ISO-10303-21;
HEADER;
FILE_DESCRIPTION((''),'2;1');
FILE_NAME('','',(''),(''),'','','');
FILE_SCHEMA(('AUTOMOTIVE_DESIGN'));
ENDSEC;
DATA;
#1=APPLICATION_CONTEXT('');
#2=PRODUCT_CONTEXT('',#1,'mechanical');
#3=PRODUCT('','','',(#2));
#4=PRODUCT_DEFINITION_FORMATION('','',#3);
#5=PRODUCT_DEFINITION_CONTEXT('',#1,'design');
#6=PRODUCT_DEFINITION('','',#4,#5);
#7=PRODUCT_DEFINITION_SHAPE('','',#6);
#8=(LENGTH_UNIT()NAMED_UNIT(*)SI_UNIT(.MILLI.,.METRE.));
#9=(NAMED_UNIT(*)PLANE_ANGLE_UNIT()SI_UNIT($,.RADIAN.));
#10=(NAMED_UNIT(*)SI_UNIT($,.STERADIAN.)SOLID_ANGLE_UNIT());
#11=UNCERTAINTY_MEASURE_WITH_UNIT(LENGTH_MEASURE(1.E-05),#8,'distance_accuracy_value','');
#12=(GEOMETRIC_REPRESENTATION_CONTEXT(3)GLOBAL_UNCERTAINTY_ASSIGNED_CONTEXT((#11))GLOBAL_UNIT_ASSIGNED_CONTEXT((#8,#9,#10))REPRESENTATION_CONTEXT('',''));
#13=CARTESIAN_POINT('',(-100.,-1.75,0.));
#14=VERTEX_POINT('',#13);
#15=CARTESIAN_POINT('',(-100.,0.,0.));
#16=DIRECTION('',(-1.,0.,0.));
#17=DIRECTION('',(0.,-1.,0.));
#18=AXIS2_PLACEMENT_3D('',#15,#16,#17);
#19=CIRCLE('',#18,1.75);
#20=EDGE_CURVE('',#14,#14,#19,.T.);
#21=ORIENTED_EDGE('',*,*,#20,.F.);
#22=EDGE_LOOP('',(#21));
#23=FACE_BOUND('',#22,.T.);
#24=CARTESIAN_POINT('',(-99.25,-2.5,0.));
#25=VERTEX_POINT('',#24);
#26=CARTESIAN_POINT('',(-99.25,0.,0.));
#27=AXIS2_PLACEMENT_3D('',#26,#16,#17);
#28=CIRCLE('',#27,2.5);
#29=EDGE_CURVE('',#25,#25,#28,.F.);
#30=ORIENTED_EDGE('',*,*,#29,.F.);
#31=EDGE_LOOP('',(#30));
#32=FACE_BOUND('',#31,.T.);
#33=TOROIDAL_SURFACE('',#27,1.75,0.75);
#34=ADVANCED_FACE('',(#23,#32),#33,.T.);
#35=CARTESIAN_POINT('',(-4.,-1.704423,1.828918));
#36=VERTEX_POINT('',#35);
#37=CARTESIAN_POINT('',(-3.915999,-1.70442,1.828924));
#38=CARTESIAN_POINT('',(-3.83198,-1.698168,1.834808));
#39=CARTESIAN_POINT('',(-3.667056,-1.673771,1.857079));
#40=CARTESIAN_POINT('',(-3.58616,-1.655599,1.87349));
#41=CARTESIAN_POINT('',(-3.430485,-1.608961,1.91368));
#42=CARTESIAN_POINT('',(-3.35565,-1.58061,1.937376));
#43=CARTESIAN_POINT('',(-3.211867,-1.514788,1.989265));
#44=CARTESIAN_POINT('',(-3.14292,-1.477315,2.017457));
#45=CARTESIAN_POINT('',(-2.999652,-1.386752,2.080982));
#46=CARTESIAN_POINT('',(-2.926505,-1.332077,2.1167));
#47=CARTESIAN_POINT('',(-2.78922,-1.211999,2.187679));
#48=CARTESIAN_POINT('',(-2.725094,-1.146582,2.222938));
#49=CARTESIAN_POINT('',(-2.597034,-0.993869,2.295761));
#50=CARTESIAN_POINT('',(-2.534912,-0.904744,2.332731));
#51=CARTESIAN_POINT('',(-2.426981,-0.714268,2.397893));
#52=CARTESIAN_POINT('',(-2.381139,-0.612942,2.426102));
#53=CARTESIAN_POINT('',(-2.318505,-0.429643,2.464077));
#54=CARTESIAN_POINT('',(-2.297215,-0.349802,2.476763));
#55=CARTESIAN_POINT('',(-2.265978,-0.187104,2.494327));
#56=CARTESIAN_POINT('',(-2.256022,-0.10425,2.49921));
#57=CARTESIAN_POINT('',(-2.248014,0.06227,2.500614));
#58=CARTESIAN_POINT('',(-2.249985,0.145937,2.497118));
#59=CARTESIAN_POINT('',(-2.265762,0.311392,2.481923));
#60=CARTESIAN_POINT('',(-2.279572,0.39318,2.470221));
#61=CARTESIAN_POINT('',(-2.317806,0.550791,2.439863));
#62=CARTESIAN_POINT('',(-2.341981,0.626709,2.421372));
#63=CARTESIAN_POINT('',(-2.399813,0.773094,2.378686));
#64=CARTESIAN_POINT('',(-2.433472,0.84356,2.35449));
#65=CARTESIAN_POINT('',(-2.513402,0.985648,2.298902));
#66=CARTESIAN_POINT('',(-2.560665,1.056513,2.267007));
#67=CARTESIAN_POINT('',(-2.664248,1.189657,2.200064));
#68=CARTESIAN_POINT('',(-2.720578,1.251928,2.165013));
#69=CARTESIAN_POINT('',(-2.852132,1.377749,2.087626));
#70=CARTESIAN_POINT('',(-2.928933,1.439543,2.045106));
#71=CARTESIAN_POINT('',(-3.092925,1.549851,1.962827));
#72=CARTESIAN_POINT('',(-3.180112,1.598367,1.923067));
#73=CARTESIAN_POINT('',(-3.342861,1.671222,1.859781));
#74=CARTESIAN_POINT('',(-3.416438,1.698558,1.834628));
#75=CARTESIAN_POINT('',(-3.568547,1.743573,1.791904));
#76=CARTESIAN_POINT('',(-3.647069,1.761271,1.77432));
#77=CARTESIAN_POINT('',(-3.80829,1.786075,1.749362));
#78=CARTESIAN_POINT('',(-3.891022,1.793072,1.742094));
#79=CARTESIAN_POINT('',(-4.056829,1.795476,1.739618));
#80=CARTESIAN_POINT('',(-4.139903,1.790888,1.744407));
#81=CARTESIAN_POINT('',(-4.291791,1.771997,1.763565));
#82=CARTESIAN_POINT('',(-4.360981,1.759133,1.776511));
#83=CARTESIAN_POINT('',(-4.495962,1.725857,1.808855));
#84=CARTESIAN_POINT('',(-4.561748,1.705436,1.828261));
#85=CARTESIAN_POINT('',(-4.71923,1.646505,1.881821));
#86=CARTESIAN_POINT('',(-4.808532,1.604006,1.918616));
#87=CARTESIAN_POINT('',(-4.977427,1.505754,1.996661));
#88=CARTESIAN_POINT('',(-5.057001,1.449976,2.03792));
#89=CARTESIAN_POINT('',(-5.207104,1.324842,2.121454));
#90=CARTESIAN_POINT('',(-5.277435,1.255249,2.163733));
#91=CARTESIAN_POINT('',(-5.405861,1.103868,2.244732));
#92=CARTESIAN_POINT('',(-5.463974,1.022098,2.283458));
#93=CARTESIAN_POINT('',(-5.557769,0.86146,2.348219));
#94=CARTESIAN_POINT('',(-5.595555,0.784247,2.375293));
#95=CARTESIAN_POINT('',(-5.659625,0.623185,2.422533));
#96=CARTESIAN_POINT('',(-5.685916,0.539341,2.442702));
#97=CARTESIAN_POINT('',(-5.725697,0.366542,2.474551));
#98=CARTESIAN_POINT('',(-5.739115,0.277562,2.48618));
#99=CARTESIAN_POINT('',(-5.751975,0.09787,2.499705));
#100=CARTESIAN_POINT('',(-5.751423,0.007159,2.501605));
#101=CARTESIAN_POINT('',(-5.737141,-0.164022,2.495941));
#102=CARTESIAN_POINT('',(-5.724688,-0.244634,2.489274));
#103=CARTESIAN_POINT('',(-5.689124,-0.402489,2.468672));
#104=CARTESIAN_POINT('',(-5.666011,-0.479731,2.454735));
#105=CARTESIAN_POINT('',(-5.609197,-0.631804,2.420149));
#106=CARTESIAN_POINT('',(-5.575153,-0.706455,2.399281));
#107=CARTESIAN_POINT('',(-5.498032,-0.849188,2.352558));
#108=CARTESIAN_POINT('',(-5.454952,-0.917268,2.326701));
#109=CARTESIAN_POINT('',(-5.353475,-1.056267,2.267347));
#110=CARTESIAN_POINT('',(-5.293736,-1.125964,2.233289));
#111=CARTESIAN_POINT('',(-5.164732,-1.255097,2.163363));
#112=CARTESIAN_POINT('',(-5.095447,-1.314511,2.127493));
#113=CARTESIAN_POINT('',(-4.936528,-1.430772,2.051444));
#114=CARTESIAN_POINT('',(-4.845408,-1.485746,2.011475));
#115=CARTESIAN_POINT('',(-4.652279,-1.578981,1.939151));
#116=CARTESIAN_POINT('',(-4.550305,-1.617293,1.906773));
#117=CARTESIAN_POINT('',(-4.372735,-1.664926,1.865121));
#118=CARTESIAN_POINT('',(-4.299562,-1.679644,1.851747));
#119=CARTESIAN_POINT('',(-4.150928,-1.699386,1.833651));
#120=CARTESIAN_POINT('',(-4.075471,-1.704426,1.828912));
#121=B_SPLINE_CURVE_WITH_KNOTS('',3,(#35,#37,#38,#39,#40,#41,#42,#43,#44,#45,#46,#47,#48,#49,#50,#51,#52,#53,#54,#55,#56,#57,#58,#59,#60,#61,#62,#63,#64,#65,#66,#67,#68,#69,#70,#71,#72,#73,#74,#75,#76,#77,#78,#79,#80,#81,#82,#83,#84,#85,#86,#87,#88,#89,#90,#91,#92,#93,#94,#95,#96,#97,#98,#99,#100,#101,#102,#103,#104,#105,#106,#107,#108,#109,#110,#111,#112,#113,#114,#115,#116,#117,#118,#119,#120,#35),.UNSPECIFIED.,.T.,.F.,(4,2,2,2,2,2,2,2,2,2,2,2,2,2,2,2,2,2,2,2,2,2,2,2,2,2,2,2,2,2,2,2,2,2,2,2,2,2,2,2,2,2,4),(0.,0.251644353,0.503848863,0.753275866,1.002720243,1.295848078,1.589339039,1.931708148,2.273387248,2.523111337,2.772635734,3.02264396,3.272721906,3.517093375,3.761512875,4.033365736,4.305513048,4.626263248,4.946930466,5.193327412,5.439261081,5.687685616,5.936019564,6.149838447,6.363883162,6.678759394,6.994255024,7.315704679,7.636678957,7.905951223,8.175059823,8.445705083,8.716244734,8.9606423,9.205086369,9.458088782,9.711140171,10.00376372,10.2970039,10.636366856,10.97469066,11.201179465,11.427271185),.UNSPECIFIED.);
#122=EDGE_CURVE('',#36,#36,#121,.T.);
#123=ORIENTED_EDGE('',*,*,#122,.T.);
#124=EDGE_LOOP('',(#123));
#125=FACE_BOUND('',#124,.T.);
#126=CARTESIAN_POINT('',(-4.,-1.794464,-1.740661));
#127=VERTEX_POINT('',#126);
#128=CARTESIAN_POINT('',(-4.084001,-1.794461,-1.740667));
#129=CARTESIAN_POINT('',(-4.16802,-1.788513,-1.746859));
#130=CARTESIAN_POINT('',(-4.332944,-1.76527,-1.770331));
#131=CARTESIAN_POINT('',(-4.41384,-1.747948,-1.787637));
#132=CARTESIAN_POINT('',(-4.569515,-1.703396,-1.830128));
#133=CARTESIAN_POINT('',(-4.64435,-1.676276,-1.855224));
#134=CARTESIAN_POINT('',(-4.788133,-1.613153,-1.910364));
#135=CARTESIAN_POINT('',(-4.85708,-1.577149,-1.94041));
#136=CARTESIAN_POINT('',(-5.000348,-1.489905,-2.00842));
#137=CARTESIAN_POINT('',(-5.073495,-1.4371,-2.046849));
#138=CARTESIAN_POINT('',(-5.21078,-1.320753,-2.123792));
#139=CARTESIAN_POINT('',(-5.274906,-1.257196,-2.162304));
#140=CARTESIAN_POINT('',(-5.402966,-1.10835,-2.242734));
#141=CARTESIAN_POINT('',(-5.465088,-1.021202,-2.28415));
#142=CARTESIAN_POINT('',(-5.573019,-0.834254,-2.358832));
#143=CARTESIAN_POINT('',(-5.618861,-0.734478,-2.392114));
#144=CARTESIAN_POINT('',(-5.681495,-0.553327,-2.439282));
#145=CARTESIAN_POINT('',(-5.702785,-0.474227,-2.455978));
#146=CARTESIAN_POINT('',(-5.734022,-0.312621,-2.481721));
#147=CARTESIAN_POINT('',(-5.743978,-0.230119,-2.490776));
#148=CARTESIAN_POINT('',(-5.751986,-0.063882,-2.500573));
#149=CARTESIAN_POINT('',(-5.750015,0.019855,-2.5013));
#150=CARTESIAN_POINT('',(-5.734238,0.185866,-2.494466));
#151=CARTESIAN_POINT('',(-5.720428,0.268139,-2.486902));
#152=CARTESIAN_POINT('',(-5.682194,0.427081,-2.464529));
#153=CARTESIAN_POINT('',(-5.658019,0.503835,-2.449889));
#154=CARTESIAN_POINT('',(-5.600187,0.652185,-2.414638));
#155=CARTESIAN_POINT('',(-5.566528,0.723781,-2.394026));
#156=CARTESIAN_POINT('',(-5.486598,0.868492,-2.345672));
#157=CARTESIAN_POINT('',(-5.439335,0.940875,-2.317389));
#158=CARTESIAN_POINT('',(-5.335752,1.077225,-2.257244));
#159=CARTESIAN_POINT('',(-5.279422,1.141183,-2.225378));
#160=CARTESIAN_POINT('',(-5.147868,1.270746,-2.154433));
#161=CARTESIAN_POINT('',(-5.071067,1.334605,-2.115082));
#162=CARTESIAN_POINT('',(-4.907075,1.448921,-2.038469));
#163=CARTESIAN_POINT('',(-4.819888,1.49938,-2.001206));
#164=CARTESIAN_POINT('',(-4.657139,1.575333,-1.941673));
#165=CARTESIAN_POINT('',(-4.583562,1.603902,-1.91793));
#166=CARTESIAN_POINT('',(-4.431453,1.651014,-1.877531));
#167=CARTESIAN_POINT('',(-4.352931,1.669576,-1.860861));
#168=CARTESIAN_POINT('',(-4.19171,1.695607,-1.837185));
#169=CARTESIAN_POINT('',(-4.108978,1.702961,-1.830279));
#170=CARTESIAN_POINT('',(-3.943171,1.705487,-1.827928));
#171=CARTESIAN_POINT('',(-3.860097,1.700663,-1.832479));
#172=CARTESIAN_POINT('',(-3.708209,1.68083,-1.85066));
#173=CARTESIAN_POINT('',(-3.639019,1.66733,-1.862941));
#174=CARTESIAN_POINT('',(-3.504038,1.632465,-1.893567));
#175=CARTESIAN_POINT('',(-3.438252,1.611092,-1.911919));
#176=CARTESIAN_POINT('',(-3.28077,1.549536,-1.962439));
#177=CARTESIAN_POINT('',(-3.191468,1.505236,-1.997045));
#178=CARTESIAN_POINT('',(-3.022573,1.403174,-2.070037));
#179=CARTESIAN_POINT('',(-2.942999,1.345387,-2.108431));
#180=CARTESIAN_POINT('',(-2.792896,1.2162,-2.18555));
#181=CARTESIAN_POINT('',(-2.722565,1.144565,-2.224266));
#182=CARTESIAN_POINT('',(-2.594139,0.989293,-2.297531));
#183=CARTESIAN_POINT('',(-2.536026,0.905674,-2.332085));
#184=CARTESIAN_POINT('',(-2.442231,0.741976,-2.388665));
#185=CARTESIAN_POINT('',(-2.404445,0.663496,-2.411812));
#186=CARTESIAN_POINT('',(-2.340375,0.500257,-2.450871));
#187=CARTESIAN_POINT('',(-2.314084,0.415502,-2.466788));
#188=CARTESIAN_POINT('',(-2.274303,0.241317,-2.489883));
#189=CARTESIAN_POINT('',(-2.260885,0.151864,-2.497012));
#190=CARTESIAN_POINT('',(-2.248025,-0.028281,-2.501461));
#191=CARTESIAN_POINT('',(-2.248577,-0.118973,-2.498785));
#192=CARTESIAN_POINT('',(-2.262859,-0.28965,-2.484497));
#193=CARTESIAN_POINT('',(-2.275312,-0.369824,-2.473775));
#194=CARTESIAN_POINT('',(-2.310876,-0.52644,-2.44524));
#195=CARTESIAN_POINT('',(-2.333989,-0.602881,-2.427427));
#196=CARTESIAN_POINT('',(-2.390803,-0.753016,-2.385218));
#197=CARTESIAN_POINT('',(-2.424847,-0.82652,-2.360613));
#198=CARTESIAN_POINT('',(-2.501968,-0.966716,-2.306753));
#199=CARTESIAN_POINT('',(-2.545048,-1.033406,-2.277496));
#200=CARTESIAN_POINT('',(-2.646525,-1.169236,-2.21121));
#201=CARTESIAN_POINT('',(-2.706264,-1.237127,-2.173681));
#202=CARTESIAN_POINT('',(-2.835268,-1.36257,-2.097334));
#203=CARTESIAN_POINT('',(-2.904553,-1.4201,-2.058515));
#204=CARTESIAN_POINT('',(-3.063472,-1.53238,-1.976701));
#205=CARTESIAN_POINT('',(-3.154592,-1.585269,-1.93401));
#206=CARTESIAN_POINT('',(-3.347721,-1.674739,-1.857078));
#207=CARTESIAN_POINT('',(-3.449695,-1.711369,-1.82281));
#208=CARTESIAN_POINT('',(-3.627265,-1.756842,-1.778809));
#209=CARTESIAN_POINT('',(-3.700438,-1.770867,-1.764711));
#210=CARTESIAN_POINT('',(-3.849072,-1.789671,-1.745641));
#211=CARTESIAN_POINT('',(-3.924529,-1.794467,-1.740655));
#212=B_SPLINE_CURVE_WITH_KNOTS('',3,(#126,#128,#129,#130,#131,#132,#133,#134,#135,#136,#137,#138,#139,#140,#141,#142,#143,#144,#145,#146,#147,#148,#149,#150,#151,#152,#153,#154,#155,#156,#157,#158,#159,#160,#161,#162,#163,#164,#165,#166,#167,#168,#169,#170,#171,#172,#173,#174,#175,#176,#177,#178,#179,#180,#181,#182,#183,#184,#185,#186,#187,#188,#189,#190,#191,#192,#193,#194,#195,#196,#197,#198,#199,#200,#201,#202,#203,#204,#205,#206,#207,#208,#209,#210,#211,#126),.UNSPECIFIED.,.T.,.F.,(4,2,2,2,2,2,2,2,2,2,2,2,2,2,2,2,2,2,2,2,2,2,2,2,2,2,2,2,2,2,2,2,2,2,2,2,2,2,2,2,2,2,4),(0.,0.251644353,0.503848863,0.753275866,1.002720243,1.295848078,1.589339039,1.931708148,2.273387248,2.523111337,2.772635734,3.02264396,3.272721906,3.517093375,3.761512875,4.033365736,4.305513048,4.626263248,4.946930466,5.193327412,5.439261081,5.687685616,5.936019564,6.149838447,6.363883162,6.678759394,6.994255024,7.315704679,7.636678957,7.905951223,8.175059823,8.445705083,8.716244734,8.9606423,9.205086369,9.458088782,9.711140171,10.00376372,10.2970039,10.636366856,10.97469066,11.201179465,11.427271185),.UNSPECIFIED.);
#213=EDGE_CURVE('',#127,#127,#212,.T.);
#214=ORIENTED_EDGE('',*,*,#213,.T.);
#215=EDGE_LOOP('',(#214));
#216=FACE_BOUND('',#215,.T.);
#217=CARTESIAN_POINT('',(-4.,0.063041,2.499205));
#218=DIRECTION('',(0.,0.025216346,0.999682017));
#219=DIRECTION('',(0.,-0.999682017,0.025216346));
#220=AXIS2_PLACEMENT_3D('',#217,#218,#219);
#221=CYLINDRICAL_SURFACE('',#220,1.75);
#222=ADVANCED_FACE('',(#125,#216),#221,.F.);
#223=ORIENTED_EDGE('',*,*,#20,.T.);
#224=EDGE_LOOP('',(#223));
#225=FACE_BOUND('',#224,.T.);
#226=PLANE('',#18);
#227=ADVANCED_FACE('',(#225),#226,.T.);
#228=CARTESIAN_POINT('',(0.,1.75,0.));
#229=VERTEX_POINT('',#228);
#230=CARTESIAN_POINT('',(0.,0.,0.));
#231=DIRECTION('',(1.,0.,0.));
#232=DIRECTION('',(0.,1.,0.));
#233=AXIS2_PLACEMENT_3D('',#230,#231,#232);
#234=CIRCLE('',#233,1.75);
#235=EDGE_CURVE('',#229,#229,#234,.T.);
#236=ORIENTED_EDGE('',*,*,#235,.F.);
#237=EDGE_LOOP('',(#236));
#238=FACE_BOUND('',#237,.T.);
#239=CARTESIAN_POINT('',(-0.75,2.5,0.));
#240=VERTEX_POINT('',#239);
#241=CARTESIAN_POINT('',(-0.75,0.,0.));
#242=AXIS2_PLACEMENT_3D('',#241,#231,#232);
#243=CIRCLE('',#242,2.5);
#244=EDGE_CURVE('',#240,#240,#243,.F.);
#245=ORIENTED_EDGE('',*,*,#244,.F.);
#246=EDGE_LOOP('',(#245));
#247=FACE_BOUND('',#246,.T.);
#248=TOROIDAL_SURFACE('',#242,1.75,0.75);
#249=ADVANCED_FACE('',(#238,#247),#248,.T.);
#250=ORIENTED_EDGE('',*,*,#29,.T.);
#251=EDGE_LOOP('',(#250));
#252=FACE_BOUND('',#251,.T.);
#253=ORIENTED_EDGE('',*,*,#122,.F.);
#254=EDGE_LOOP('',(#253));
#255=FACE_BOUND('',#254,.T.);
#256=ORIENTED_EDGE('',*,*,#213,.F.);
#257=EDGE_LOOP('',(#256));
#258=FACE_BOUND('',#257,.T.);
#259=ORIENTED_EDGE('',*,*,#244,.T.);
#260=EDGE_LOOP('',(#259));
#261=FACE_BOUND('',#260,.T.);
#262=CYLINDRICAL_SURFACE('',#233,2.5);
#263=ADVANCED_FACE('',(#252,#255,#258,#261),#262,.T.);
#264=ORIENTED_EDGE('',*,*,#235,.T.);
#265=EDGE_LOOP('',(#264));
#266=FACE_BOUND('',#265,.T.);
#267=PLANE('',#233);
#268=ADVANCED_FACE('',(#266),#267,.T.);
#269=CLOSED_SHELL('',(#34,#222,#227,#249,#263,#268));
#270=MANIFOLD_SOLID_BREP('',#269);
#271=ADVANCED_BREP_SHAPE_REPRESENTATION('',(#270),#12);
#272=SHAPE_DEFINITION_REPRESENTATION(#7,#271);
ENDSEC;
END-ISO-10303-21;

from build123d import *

# Parameters (mm, degrees)
SKIZZE1_W                        = 100
SKIZZE1_H                        = 2.5
VERRUNDUNG1_R                    = 0.75
VERRUNDUNG2_R                    = 0.75
F_3_5_3_5_DURCHMESSER_BOHRUNG1_D = 3.5


with BuildPart() as part:
    # Skizze1 → Rotation1 (revolve)
    with BuildSketch(Plane.XY):
        with Locations((-50, 1.25)):
            Rectangle(SKIZZE1_W, SKIZZE1_H)
    revolve(axis=Axis((0, 0, 0), (-1, 0, 0)))

    # Verrundung1
    verrundung1_edges = [part.edges().sort_by_distance(p)[0] for p in [
        (-100, -2.5, 0),
    ]]
    fillet(verrundung1_edges, radius=VERRUNDUNG1_R)

    # Verrundung2
    verrundung2_edges = [part.edges().sort_by_distance(p)[0] for p in [
        (0, -2.5, 0),
    ]]
    fillet(verrundung2_edges, radius=VERRUNDUNG2_R)

    # Ø3.5 (3.5) Durchmesser Bohrung1 (through all)
    with Locations(Plane(origin=(-4, 0.063040866, 2.499205043), x_dir=(0, 0.999682017384, -0.025216346285), z_dir=(0, 0.025216346285, 0.999682017384))):
        with Locations((0, 0)):
            Hole(F_3_5_3_5_DURCHMESSER_BOHRUNG1_D / 2)


solid = part.part
